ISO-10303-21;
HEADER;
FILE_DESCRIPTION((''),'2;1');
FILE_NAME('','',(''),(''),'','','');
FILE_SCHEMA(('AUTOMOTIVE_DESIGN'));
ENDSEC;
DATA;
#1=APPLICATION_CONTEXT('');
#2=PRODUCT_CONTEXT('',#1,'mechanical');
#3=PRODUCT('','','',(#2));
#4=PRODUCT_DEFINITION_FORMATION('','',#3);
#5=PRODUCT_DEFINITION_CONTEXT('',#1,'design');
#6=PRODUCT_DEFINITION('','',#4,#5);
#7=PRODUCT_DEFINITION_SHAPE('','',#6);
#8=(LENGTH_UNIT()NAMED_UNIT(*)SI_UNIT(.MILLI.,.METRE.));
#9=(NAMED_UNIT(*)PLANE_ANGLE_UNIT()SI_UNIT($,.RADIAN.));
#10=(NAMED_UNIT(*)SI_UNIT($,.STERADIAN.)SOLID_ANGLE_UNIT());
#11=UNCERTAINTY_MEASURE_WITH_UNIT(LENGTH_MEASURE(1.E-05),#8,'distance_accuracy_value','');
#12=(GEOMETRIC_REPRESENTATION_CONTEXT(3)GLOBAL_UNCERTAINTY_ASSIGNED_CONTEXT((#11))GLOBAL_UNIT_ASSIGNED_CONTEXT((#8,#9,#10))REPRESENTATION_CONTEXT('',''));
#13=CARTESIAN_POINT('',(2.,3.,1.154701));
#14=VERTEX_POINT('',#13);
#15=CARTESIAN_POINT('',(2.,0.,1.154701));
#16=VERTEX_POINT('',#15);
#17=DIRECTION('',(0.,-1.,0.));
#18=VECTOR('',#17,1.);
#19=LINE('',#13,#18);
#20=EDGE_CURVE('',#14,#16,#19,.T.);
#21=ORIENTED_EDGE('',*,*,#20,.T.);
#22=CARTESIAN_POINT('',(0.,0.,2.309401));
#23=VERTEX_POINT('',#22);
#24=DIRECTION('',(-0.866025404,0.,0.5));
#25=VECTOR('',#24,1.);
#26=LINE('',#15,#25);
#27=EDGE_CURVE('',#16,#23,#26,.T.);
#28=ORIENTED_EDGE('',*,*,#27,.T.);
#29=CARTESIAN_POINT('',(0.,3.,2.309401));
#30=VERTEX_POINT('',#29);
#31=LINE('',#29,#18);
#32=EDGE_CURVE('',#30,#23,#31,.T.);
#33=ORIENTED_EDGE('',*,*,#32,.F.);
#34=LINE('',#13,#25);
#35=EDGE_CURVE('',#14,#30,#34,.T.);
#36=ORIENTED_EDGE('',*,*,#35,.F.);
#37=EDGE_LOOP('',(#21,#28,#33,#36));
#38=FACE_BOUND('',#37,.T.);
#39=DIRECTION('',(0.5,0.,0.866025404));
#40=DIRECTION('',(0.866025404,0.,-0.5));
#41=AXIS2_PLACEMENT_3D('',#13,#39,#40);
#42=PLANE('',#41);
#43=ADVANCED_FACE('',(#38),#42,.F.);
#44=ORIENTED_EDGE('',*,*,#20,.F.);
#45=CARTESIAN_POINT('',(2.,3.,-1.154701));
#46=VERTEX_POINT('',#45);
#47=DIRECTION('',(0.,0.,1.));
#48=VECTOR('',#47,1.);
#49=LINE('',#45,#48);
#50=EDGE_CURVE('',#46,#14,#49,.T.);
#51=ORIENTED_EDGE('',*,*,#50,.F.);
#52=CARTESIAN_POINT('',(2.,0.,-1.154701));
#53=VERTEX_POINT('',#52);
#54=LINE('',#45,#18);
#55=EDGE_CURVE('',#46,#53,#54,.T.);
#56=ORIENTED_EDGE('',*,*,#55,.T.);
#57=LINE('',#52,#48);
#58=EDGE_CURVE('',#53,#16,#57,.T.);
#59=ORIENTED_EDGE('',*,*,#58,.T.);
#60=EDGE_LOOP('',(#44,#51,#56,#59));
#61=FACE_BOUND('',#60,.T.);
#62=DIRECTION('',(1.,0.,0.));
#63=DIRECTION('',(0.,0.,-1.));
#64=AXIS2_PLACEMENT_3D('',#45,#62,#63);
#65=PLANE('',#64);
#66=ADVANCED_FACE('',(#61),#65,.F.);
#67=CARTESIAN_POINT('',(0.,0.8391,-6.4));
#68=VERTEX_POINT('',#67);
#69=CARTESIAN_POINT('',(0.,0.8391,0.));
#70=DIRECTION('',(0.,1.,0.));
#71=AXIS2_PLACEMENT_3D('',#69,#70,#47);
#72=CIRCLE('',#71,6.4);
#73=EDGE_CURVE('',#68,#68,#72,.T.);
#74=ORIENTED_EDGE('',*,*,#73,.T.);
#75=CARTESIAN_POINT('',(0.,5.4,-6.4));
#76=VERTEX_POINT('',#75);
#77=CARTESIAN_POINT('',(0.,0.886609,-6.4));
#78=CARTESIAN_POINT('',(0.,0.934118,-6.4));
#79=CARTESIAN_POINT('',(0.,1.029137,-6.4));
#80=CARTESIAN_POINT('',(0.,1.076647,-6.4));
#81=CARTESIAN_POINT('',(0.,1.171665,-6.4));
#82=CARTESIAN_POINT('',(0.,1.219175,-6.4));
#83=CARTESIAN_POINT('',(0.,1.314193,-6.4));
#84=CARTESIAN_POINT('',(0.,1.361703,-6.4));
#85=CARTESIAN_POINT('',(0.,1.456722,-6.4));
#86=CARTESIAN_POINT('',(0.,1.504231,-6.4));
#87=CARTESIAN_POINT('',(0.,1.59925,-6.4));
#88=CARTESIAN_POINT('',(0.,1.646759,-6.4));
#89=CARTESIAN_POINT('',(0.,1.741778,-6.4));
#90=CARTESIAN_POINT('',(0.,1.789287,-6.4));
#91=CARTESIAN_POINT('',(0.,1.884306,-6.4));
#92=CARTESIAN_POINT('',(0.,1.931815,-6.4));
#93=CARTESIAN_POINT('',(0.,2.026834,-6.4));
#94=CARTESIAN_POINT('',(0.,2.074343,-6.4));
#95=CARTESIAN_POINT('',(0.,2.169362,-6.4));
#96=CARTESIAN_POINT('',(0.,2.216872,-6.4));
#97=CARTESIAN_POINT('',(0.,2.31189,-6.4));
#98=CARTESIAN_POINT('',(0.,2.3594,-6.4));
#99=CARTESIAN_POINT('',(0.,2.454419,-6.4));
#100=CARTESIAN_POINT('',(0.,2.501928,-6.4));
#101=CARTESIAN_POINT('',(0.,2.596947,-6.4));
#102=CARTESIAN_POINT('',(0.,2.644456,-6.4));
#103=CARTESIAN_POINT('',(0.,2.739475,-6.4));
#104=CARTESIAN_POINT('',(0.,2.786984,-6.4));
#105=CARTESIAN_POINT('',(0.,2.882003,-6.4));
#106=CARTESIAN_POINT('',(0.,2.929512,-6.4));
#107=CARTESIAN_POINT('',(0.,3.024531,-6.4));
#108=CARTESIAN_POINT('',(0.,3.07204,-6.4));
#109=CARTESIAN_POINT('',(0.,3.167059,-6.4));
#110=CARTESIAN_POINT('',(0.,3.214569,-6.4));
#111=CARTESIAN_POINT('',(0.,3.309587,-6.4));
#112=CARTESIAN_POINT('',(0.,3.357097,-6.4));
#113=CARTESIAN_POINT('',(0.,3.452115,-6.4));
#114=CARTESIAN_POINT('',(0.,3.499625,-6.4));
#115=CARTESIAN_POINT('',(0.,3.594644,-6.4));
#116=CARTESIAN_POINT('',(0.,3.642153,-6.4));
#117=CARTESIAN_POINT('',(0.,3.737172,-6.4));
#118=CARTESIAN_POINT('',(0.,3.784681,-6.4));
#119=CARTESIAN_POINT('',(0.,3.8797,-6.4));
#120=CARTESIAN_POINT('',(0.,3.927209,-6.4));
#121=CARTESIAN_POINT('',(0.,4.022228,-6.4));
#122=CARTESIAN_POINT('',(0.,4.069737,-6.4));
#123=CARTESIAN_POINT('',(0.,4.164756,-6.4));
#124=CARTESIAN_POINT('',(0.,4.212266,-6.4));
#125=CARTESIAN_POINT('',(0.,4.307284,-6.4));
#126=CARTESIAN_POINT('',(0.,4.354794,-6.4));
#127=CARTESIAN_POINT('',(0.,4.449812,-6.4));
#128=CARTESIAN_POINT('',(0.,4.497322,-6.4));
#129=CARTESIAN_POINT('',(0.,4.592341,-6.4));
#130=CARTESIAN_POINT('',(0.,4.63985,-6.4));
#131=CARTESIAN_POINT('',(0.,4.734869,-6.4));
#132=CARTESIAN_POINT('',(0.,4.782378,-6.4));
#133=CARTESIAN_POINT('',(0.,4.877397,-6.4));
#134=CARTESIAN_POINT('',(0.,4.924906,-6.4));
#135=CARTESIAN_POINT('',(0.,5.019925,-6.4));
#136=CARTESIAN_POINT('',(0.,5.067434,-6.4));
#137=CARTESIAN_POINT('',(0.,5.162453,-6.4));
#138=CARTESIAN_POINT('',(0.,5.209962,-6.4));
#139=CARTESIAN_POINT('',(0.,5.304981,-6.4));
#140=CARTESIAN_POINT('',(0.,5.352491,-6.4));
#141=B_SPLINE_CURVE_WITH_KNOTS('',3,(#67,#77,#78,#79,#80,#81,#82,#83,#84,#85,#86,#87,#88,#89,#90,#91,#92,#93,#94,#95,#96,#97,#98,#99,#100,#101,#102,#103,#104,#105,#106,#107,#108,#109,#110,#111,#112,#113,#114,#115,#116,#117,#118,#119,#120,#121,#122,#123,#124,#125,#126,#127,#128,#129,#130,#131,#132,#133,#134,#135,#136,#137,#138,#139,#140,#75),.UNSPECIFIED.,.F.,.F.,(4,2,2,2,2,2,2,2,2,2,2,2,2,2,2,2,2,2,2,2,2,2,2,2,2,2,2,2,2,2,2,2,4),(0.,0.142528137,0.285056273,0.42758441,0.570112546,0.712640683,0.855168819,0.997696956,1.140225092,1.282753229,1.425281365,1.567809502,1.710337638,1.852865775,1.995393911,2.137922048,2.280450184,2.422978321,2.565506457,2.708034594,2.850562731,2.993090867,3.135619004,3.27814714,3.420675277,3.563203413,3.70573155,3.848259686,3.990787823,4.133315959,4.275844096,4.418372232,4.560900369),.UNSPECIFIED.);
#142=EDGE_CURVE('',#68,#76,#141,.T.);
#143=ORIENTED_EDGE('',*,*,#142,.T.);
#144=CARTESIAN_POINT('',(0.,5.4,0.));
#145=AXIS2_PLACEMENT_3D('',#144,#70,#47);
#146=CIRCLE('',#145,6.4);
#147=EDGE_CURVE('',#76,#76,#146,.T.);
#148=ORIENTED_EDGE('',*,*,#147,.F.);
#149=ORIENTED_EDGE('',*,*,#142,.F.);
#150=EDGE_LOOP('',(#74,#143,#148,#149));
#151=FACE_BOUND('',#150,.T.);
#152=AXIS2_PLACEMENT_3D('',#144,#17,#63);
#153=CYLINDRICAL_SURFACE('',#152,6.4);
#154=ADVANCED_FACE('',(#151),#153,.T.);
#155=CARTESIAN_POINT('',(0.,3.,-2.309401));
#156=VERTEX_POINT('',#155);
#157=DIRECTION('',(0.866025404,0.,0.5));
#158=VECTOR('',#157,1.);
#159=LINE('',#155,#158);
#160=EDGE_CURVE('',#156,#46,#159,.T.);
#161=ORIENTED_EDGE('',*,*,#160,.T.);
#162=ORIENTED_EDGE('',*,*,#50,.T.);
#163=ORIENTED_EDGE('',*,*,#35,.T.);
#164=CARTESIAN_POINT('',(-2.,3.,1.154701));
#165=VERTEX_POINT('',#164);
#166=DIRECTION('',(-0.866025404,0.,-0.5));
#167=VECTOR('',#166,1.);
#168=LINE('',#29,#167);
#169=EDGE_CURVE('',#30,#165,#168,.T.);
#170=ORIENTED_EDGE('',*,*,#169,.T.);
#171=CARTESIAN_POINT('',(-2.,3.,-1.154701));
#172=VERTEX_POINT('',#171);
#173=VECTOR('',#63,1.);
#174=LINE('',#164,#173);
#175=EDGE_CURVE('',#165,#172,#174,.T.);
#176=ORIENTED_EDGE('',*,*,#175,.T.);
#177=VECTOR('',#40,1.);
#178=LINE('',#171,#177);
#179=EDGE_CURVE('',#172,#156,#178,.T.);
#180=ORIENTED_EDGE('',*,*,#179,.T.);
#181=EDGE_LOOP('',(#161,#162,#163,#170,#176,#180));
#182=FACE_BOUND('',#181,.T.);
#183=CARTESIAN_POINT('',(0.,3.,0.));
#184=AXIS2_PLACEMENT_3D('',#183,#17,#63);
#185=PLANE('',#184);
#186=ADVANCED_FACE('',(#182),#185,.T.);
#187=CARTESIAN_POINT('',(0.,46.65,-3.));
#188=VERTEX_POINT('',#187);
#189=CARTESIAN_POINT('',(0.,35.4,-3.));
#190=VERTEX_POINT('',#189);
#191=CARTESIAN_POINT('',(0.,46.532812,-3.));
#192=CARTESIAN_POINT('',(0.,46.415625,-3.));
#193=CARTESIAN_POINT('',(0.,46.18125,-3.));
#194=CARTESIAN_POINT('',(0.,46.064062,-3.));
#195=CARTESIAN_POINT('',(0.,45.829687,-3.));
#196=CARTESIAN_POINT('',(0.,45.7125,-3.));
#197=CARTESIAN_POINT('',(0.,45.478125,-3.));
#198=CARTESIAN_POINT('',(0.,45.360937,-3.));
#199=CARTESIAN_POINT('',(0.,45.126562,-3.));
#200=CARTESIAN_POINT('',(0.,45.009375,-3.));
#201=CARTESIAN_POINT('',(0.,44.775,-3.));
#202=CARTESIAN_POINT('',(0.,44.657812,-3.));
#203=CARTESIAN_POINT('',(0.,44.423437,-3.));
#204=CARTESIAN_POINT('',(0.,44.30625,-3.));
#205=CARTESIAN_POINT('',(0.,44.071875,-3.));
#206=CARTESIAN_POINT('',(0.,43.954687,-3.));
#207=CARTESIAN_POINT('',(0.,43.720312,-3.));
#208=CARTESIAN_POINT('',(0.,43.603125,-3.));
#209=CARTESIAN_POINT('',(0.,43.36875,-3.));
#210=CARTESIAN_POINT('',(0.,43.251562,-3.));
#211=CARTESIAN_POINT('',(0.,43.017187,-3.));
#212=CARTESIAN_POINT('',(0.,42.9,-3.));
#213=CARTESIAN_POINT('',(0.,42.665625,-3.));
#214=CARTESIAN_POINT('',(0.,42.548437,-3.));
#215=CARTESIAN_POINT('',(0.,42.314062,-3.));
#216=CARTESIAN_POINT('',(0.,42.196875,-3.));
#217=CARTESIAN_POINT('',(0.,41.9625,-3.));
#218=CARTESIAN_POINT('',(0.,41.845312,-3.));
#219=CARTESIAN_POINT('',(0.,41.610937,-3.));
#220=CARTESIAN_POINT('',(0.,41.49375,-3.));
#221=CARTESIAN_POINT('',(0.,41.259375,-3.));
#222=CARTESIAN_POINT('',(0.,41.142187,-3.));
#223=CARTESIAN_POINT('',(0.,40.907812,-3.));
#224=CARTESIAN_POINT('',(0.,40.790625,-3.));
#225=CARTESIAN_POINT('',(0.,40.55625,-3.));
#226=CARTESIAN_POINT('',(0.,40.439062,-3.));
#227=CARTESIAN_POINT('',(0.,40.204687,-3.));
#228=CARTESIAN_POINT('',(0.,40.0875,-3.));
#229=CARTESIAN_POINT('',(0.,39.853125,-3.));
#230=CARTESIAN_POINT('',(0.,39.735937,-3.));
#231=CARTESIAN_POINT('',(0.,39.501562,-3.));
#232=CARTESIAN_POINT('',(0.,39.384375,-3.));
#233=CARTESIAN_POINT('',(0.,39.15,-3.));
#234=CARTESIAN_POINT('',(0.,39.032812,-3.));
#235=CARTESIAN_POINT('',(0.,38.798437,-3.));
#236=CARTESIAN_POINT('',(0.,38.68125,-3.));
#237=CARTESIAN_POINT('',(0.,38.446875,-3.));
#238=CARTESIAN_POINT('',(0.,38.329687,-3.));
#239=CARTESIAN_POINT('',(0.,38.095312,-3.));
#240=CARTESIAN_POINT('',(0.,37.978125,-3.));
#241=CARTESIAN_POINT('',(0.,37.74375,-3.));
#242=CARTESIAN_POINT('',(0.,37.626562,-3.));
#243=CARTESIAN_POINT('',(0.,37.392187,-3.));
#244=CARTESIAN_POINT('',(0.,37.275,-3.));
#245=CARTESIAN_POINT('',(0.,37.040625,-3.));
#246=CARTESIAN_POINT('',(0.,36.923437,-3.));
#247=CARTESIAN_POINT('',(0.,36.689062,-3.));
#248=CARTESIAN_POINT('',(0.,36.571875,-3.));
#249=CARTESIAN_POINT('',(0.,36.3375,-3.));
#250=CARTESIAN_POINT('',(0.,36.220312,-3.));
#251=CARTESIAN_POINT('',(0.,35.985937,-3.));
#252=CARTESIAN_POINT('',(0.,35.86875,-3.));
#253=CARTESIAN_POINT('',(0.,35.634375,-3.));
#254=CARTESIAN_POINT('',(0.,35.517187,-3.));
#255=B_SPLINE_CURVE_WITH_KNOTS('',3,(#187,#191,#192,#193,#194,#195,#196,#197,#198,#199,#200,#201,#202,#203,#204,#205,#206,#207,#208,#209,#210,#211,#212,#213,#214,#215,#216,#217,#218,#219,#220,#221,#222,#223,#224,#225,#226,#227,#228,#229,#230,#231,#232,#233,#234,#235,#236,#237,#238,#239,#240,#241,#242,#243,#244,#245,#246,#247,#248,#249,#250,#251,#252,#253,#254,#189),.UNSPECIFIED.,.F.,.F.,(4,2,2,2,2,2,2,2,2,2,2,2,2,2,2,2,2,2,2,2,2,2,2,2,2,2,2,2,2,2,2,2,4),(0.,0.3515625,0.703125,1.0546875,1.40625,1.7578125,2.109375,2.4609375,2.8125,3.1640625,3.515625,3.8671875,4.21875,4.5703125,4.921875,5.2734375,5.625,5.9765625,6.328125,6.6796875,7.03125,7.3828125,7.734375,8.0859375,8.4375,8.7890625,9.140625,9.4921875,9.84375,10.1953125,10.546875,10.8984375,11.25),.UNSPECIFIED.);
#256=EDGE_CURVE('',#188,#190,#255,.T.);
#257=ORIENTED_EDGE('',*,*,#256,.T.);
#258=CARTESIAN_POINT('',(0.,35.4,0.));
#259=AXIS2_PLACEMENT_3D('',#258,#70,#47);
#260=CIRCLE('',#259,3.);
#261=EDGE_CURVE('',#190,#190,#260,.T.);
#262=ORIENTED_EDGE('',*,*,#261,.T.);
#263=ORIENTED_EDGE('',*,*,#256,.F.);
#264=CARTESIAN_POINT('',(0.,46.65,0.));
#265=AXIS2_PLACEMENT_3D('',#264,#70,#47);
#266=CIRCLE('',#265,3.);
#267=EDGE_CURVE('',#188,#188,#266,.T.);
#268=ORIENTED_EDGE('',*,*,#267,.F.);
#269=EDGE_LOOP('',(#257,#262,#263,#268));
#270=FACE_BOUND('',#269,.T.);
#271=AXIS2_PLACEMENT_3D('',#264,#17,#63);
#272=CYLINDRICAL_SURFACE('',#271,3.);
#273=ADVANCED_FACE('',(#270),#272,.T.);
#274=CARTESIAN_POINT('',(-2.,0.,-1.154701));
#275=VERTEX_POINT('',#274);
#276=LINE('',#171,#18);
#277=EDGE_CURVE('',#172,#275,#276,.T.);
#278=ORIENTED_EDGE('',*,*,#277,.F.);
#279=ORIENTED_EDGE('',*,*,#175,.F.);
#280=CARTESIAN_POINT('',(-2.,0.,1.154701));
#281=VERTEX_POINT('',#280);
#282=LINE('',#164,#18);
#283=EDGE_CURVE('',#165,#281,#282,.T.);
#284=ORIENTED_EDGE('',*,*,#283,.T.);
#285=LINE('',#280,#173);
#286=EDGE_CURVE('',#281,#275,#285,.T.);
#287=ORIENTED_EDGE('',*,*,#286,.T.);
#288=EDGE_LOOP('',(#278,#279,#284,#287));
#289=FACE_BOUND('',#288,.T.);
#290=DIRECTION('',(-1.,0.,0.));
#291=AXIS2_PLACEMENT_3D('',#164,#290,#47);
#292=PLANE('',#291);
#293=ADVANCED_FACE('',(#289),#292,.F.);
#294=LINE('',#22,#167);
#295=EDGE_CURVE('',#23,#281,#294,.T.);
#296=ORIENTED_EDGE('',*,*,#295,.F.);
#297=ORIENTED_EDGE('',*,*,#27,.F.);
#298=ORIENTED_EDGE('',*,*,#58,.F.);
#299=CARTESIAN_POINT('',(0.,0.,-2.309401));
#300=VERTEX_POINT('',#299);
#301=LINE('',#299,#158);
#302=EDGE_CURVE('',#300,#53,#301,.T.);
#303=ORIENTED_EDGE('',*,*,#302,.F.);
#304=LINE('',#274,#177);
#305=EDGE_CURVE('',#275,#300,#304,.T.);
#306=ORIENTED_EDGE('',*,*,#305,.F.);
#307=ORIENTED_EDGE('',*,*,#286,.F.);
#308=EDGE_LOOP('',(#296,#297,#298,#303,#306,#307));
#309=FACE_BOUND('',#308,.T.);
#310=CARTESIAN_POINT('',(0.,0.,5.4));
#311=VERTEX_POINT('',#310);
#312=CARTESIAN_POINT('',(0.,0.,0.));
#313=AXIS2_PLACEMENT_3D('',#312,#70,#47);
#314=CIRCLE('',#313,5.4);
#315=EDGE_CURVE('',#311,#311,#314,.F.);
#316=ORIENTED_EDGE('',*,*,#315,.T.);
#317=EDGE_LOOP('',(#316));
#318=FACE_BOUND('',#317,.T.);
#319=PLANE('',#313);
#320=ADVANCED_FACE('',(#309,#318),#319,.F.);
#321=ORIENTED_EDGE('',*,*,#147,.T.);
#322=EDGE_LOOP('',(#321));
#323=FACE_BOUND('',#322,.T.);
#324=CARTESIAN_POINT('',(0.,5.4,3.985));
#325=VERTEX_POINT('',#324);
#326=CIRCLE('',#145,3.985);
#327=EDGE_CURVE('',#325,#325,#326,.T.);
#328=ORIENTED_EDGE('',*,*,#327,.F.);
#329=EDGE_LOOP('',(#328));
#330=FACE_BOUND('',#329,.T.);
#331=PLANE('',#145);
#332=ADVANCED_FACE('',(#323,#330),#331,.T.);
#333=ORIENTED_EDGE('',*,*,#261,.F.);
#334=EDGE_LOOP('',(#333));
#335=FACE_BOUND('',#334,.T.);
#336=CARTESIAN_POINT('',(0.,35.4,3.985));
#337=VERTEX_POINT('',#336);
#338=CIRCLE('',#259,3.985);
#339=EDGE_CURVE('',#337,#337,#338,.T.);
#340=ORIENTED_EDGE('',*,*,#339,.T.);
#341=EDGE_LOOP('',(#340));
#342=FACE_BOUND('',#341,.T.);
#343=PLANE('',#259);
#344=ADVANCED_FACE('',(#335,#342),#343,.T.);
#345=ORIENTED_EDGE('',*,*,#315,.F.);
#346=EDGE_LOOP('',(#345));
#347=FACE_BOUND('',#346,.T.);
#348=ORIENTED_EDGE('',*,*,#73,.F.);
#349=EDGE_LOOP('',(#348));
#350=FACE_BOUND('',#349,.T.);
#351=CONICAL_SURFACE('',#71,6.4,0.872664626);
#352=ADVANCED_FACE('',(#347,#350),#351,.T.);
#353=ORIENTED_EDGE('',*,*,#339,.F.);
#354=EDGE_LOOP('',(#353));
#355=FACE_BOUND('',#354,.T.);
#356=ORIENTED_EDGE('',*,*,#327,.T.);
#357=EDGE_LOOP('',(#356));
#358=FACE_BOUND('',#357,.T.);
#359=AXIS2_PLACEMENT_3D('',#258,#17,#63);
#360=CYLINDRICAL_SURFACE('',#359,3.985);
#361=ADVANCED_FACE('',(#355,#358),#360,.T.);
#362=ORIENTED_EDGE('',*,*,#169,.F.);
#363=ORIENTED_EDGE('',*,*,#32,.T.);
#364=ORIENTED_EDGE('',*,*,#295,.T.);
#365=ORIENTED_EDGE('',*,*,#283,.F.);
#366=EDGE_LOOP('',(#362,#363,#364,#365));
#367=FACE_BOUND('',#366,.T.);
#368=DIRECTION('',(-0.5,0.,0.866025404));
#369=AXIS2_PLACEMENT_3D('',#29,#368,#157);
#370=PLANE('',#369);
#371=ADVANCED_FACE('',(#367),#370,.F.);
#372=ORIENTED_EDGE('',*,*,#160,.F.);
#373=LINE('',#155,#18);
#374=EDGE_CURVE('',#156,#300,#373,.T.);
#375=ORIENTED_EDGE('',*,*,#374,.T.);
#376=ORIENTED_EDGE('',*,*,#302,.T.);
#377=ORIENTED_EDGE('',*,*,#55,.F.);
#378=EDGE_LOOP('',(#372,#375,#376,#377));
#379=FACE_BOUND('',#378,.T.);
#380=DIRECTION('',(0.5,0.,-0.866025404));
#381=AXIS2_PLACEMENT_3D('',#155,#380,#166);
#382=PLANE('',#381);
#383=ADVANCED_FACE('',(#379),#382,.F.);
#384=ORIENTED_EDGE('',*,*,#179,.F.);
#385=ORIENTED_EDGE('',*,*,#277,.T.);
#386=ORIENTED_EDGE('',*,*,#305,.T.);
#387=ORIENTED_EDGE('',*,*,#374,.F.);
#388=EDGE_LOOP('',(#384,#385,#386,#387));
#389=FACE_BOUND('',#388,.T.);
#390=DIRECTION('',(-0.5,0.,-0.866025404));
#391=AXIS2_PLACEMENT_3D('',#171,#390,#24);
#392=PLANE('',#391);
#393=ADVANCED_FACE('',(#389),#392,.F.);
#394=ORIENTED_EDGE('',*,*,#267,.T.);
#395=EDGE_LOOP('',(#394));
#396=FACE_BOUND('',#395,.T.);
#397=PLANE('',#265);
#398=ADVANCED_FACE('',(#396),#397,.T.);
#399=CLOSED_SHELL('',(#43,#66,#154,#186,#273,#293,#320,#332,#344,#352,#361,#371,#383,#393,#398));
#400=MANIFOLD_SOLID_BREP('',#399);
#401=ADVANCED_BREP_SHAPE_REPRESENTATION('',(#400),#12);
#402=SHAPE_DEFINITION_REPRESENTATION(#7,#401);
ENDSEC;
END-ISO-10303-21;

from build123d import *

# Parameters (mm, degrees)
SKETCH_1_R          = 6.4
EXTRUDE_1_DEPTH     = 5.4
SKETCH_2_R          = 3.985
EXTRUDE_2_DEPTH     = 30
SKETCH_3_R          = 3
EXTRUDE_3_DEPTH     = 11.25
CHAMFER_1_SIZE      = 1
CHAMFER_1_SIZE2     = 0.839099631
CUT_EXTRUDE_1_DEPTH = 3


with BuildPart() as part:
    # 草图1 → 凸台-拉伸1 (new body)
    with BuildSketch(Plane(origin=(0, 0, 0), x_dir=(1, 0, 0), z_dir=(0, 1, 0))):
        with Locations(Location((0, 0, 0), (0, 0, 90))):
            Circle(SKETCH_1_R)
    extrude(amount=EXTRUDE_1_DEPTH)

    # 草图2 → 凸台-拉伸2 (add)
    with BuildSketch(Plane(origin=(0, 5.4, 0), x_dir=(1, 0, 0), z_dir=(0, 1, 0))):
        with Locations(Location((0, 0, 0), (0, 0, 270))):
            Circle(SKETCH_2_R)
    extrude(amount=EXTRUDE_2_DEPTH)

    # 草图3 → 凸台-拉伸3 (add)
    with BuildSketch(Plane(origin=(0, 35.4, 0), x_dir=(1, 0, 0), z_dir=(0, 1, 0))):
        with Locations(Location((0, 0, 0), (0, 0, 90))):
            Circle(SKETCH_3_R)
    extrude(amount=EXTRUDE_3_DEPTH)

    # 倒角1
    chamfer_1_edges = [part.edges().sort_by_distance(p)[0] for p in [
        (0, 0, 6.4),
    ]]
    chamfer_1_side = [part.faces().sort_by_distance(p)[0] for p in [
        (0, 0, 0),
    ]]
    chamfer(chamfer_1_edges, length=CHAMFER_1_SIZE, length2=CHAMFER_1_SIZE2, reference=chamfer_1_side[0])

    # 草图4 → 切除-拉伸1 (cut)
    with BuildSketch(Plane.XZ):
        Polygon((0, 2.309401077), (-2, 1.154700538), (-2, -1.154700538), (0, -2.309401077), (2, -1.154700538), (2, 1.154700538), align=None)
    extrude(amount=-CUT_EXTRUDE_1_DEPTH, mode=Mode.SUBTRACT)


solid = part.part
